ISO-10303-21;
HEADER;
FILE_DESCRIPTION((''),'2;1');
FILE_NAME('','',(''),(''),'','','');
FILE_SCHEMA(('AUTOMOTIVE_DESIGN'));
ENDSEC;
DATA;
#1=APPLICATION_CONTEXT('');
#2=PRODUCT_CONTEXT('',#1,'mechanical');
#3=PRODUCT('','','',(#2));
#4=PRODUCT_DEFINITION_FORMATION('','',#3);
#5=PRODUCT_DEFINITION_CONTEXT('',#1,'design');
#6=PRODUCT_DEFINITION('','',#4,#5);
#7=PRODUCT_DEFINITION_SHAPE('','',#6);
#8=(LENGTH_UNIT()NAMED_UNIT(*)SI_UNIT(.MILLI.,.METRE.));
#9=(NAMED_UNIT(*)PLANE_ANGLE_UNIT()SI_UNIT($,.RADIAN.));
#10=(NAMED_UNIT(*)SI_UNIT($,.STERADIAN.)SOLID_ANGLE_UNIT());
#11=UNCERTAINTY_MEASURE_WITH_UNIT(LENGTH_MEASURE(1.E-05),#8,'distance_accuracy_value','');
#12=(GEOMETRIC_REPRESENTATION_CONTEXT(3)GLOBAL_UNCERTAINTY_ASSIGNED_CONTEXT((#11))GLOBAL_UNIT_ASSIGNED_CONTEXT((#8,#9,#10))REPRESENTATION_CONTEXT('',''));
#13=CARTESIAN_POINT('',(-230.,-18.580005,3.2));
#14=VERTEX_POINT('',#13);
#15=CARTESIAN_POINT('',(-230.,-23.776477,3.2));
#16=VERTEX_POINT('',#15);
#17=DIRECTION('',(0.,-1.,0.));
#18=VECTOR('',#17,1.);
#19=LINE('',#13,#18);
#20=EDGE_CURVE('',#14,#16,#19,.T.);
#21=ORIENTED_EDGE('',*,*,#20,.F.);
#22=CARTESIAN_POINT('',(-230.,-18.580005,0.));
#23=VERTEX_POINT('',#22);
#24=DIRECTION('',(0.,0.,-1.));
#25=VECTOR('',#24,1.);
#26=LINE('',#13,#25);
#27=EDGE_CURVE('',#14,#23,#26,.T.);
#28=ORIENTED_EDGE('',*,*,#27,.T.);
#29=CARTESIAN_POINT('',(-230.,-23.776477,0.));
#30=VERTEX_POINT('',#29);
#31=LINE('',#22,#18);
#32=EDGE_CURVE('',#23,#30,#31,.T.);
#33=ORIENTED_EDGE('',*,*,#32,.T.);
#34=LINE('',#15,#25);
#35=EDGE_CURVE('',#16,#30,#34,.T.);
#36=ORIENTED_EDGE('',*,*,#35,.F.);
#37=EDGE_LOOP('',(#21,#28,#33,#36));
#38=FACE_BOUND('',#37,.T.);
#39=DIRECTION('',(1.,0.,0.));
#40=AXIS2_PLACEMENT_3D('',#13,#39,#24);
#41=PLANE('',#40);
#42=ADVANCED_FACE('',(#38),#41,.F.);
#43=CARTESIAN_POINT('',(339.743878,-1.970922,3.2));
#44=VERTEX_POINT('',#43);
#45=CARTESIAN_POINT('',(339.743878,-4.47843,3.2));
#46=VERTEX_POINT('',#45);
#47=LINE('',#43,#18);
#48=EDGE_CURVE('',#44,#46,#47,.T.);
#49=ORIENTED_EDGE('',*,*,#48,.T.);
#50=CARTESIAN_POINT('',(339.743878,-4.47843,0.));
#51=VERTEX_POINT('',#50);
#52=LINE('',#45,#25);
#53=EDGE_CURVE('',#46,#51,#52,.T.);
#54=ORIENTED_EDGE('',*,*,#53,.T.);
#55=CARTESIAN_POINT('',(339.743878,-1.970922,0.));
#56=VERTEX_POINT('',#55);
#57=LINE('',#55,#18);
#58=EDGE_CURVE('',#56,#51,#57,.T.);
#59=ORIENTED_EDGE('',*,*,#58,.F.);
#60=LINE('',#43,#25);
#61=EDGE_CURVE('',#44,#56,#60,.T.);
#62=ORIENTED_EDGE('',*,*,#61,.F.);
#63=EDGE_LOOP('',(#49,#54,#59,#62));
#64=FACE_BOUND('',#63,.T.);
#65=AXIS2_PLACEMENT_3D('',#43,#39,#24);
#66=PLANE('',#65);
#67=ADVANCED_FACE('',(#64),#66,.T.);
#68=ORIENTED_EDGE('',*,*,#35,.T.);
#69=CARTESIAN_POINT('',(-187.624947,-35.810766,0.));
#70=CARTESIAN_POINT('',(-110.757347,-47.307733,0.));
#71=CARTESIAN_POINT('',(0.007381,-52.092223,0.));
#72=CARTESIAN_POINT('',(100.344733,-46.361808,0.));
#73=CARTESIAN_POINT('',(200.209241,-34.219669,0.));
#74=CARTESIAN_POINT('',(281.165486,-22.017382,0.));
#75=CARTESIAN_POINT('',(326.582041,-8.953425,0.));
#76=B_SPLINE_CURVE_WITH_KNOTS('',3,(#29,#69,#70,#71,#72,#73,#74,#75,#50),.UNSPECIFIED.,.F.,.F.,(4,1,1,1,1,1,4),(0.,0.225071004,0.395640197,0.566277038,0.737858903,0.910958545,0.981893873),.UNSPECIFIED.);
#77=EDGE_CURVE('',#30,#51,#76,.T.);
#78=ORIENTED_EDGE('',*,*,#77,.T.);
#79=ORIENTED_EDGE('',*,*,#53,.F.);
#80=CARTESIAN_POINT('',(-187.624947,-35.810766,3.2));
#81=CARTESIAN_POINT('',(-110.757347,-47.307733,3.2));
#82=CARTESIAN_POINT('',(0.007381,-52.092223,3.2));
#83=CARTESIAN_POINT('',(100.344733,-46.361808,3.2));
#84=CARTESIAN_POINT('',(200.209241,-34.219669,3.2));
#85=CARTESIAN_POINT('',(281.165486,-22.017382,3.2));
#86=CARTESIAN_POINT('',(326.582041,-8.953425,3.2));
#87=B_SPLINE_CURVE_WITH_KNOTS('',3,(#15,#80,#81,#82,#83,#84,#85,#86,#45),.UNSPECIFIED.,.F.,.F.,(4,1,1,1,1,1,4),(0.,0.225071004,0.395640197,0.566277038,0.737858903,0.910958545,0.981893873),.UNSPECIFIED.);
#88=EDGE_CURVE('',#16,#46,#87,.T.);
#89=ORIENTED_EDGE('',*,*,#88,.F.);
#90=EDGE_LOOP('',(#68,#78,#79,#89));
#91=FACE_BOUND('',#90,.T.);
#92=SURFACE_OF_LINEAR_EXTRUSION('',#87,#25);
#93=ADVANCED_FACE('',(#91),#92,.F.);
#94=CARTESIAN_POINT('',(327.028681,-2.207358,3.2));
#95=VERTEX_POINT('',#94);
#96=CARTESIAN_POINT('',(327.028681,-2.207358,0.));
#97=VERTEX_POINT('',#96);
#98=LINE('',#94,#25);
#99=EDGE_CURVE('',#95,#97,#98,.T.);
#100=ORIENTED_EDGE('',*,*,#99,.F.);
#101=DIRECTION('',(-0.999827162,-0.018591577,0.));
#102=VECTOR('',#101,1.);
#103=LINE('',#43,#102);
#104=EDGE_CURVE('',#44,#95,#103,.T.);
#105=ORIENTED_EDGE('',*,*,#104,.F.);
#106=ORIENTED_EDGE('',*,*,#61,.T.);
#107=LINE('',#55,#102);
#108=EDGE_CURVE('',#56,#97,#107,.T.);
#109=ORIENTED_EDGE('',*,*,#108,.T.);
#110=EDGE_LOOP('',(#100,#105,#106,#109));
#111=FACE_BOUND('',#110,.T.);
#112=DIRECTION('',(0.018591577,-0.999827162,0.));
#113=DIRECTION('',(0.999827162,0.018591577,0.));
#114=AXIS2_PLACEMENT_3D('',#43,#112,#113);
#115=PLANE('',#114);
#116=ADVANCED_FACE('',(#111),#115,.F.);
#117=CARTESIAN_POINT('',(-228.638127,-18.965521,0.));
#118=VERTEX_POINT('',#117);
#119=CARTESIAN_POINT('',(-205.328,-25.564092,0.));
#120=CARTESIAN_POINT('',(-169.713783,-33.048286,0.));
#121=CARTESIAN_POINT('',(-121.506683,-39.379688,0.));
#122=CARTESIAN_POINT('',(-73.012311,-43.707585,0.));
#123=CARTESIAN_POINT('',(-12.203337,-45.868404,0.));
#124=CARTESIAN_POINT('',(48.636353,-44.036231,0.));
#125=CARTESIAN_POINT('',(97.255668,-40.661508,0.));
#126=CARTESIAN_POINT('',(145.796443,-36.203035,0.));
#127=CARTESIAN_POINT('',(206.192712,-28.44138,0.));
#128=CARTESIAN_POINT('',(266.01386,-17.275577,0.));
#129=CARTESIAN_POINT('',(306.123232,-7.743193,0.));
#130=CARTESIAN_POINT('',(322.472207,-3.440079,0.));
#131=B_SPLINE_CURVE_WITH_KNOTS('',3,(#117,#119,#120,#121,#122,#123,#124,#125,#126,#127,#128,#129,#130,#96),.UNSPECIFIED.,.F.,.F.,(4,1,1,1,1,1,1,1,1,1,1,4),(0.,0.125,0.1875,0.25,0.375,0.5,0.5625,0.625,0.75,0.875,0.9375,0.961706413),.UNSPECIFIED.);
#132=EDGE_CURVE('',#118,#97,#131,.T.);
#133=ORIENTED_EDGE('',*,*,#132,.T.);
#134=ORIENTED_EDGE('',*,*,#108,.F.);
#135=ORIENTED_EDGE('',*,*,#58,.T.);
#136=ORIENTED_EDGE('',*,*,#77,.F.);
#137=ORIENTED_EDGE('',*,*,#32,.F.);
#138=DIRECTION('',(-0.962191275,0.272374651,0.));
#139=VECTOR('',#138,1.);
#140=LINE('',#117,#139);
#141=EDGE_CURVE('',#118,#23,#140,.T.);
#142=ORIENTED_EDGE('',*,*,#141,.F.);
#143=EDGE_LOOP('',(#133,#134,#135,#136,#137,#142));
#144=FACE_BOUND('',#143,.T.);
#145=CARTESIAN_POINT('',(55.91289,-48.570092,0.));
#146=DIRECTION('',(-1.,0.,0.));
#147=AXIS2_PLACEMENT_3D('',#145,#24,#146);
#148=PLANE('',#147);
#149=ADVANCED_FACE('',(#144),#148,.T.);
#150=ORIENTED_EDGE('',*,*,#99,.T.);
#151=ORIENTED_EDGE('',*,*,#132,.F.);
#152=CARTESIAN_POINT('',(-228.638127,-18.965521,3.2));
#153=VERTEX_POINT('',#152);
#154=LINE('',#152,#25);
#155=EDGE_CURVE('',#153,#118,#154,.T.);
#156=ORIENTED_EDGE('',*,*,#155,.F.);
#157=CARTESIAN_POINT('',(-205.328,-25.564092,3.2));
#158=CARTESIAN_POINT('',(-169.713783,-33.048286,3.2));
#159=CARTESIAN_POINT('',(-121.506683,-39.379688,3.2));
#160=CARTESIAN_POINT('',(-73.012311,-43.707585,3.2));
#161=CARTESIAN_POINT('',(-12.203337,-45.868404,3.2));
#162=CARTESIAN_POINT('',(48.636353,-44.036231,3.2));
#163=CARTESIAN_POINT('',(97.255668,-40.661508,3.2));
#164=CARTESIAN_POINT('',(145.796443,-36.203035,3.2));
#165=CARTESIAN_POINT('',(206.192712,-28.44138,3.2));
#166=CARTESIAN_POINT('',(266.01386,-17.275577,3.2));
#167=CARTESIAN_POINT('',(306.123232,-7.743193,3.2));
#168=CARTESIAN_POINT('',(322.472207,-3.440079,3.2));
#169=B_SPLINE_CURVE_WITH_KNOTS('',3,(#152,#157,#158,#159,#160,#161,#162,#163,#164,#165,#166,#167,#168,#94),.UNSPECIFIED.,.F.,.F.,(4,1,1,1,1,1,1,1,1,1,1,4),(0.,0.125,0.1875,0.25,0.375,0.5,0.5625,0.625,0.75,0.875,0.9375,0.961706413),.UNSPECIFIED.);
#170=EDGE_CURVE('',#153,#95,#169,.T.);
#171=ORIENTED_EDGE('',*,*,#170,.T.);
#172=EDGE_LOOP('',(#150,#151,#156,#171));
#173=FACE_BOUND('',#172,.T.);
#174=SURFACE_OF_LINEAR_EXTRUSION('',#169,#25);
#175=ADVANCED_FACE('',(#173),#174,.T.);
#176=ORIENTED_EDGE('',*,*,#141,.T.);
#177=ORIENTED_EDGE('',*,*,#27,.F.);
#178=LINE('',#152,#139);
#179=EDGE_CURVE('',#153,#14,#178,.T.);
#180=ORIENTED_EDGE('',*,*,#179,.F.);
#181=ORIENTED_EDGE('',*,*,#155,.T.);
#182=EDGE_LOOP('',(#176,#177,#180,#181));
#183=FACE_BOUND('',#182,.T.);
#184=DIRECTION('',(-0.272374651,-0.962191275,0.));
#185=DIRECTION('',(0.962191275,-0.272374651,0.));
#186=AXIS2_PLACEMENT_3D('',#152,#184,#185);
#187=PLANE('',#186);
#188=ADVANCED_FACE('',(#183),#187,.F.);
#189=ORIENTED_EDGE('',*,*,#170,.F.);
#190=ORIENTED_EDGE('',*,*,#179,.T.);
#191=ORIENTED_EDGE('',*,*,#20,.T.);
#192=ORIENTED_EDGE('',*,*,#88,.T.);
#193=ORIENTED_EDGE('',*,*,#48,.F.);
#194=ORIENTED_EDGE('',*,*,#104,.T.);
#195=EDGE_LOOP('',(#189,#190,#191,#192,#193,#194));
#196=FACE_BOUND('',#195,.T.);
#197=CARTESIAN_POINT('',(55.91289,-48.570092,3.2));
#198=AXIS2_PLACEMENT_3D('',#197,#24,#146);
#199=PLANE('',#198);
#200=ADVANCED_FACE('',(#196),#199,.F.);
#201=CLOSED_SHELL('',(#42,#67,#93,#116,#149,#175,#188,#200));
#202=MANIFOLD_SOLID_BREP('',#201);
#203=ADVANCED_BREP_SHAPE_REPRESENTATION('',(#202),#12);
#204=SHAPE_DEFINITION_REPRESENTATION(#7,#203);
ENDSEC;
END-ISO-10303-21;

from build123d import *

# Parameters (mm, degrees)
BOSS_EXTRUDE1_DEPTH = 3.2


with BuildPart() as part:
    # Sketch1 → Boss-Extrude1 (new body)
    with BuildSketch(Plane.XY):
        with BuildLine():
            Line((339.743877836, -1.97092204), (327.028680724, -2.207358466))
            add(Edge.make_bspline(
                [(-228.638126642, -18.965520589), (-205.328000422, -25.564091644), (-169.71378297, -33.048286306), (-121.506682722, -39.379688009), (-73.01231088, -43.707584978), (-12.203336667, -45.868404467), (48.636352849, -44.036231472), (97.255668277, -40.66150775), (145.796442696, -36.203035302), (206.192712118, -28.441379937), (266.013860499, -17.275577293), (306.123232335, -7.743192742), (322.472206916, -3.440078745), (327.028680724, -2.207358466)],
                knots=[0, 0, 0, 0, 0.125, 0.1875, 0.25, 0.375, 0.5, 0.5625, 0.625, 0.75, 0.875, 0.9375, 0.961706413, 0.961706413, 0.961706413, 0.961706413], degree=3))
            Line((-228.638126642, -18.965520589), (-229.999999898, -18.580004982))
            Line((-229.999999898, -18.580004982), (-229.999999898, -23.776476963))
            add(Edge.make_bspline(
                [(-229.999999898, -23.776476963), (-187.624946823, -35.810765879), (-110.757346564, -47.307733367), (0.007380653, -52.092222889), (100.344733064, -46.361807952), (200.209241181, -34.219669393), (281.165485841, -22.017381692), (326.582041192, -8.953425301), (339.743877836, -4.478430193)],
                knots=[0, 0, 0, 0, 0.225071004, 0.395640197, 0.566277038, 0.737858903, 0.910958545, 0.981893873, 0.981893873, 0.981893873, 0.981893873], degree=3))
            Line((339.743877836, -4.478430193), (339.743877836, -1.97092204))
        make_face()
    extrude(amount=BOSS_EXTRUDE1_DEPTH)


solid = part.part
